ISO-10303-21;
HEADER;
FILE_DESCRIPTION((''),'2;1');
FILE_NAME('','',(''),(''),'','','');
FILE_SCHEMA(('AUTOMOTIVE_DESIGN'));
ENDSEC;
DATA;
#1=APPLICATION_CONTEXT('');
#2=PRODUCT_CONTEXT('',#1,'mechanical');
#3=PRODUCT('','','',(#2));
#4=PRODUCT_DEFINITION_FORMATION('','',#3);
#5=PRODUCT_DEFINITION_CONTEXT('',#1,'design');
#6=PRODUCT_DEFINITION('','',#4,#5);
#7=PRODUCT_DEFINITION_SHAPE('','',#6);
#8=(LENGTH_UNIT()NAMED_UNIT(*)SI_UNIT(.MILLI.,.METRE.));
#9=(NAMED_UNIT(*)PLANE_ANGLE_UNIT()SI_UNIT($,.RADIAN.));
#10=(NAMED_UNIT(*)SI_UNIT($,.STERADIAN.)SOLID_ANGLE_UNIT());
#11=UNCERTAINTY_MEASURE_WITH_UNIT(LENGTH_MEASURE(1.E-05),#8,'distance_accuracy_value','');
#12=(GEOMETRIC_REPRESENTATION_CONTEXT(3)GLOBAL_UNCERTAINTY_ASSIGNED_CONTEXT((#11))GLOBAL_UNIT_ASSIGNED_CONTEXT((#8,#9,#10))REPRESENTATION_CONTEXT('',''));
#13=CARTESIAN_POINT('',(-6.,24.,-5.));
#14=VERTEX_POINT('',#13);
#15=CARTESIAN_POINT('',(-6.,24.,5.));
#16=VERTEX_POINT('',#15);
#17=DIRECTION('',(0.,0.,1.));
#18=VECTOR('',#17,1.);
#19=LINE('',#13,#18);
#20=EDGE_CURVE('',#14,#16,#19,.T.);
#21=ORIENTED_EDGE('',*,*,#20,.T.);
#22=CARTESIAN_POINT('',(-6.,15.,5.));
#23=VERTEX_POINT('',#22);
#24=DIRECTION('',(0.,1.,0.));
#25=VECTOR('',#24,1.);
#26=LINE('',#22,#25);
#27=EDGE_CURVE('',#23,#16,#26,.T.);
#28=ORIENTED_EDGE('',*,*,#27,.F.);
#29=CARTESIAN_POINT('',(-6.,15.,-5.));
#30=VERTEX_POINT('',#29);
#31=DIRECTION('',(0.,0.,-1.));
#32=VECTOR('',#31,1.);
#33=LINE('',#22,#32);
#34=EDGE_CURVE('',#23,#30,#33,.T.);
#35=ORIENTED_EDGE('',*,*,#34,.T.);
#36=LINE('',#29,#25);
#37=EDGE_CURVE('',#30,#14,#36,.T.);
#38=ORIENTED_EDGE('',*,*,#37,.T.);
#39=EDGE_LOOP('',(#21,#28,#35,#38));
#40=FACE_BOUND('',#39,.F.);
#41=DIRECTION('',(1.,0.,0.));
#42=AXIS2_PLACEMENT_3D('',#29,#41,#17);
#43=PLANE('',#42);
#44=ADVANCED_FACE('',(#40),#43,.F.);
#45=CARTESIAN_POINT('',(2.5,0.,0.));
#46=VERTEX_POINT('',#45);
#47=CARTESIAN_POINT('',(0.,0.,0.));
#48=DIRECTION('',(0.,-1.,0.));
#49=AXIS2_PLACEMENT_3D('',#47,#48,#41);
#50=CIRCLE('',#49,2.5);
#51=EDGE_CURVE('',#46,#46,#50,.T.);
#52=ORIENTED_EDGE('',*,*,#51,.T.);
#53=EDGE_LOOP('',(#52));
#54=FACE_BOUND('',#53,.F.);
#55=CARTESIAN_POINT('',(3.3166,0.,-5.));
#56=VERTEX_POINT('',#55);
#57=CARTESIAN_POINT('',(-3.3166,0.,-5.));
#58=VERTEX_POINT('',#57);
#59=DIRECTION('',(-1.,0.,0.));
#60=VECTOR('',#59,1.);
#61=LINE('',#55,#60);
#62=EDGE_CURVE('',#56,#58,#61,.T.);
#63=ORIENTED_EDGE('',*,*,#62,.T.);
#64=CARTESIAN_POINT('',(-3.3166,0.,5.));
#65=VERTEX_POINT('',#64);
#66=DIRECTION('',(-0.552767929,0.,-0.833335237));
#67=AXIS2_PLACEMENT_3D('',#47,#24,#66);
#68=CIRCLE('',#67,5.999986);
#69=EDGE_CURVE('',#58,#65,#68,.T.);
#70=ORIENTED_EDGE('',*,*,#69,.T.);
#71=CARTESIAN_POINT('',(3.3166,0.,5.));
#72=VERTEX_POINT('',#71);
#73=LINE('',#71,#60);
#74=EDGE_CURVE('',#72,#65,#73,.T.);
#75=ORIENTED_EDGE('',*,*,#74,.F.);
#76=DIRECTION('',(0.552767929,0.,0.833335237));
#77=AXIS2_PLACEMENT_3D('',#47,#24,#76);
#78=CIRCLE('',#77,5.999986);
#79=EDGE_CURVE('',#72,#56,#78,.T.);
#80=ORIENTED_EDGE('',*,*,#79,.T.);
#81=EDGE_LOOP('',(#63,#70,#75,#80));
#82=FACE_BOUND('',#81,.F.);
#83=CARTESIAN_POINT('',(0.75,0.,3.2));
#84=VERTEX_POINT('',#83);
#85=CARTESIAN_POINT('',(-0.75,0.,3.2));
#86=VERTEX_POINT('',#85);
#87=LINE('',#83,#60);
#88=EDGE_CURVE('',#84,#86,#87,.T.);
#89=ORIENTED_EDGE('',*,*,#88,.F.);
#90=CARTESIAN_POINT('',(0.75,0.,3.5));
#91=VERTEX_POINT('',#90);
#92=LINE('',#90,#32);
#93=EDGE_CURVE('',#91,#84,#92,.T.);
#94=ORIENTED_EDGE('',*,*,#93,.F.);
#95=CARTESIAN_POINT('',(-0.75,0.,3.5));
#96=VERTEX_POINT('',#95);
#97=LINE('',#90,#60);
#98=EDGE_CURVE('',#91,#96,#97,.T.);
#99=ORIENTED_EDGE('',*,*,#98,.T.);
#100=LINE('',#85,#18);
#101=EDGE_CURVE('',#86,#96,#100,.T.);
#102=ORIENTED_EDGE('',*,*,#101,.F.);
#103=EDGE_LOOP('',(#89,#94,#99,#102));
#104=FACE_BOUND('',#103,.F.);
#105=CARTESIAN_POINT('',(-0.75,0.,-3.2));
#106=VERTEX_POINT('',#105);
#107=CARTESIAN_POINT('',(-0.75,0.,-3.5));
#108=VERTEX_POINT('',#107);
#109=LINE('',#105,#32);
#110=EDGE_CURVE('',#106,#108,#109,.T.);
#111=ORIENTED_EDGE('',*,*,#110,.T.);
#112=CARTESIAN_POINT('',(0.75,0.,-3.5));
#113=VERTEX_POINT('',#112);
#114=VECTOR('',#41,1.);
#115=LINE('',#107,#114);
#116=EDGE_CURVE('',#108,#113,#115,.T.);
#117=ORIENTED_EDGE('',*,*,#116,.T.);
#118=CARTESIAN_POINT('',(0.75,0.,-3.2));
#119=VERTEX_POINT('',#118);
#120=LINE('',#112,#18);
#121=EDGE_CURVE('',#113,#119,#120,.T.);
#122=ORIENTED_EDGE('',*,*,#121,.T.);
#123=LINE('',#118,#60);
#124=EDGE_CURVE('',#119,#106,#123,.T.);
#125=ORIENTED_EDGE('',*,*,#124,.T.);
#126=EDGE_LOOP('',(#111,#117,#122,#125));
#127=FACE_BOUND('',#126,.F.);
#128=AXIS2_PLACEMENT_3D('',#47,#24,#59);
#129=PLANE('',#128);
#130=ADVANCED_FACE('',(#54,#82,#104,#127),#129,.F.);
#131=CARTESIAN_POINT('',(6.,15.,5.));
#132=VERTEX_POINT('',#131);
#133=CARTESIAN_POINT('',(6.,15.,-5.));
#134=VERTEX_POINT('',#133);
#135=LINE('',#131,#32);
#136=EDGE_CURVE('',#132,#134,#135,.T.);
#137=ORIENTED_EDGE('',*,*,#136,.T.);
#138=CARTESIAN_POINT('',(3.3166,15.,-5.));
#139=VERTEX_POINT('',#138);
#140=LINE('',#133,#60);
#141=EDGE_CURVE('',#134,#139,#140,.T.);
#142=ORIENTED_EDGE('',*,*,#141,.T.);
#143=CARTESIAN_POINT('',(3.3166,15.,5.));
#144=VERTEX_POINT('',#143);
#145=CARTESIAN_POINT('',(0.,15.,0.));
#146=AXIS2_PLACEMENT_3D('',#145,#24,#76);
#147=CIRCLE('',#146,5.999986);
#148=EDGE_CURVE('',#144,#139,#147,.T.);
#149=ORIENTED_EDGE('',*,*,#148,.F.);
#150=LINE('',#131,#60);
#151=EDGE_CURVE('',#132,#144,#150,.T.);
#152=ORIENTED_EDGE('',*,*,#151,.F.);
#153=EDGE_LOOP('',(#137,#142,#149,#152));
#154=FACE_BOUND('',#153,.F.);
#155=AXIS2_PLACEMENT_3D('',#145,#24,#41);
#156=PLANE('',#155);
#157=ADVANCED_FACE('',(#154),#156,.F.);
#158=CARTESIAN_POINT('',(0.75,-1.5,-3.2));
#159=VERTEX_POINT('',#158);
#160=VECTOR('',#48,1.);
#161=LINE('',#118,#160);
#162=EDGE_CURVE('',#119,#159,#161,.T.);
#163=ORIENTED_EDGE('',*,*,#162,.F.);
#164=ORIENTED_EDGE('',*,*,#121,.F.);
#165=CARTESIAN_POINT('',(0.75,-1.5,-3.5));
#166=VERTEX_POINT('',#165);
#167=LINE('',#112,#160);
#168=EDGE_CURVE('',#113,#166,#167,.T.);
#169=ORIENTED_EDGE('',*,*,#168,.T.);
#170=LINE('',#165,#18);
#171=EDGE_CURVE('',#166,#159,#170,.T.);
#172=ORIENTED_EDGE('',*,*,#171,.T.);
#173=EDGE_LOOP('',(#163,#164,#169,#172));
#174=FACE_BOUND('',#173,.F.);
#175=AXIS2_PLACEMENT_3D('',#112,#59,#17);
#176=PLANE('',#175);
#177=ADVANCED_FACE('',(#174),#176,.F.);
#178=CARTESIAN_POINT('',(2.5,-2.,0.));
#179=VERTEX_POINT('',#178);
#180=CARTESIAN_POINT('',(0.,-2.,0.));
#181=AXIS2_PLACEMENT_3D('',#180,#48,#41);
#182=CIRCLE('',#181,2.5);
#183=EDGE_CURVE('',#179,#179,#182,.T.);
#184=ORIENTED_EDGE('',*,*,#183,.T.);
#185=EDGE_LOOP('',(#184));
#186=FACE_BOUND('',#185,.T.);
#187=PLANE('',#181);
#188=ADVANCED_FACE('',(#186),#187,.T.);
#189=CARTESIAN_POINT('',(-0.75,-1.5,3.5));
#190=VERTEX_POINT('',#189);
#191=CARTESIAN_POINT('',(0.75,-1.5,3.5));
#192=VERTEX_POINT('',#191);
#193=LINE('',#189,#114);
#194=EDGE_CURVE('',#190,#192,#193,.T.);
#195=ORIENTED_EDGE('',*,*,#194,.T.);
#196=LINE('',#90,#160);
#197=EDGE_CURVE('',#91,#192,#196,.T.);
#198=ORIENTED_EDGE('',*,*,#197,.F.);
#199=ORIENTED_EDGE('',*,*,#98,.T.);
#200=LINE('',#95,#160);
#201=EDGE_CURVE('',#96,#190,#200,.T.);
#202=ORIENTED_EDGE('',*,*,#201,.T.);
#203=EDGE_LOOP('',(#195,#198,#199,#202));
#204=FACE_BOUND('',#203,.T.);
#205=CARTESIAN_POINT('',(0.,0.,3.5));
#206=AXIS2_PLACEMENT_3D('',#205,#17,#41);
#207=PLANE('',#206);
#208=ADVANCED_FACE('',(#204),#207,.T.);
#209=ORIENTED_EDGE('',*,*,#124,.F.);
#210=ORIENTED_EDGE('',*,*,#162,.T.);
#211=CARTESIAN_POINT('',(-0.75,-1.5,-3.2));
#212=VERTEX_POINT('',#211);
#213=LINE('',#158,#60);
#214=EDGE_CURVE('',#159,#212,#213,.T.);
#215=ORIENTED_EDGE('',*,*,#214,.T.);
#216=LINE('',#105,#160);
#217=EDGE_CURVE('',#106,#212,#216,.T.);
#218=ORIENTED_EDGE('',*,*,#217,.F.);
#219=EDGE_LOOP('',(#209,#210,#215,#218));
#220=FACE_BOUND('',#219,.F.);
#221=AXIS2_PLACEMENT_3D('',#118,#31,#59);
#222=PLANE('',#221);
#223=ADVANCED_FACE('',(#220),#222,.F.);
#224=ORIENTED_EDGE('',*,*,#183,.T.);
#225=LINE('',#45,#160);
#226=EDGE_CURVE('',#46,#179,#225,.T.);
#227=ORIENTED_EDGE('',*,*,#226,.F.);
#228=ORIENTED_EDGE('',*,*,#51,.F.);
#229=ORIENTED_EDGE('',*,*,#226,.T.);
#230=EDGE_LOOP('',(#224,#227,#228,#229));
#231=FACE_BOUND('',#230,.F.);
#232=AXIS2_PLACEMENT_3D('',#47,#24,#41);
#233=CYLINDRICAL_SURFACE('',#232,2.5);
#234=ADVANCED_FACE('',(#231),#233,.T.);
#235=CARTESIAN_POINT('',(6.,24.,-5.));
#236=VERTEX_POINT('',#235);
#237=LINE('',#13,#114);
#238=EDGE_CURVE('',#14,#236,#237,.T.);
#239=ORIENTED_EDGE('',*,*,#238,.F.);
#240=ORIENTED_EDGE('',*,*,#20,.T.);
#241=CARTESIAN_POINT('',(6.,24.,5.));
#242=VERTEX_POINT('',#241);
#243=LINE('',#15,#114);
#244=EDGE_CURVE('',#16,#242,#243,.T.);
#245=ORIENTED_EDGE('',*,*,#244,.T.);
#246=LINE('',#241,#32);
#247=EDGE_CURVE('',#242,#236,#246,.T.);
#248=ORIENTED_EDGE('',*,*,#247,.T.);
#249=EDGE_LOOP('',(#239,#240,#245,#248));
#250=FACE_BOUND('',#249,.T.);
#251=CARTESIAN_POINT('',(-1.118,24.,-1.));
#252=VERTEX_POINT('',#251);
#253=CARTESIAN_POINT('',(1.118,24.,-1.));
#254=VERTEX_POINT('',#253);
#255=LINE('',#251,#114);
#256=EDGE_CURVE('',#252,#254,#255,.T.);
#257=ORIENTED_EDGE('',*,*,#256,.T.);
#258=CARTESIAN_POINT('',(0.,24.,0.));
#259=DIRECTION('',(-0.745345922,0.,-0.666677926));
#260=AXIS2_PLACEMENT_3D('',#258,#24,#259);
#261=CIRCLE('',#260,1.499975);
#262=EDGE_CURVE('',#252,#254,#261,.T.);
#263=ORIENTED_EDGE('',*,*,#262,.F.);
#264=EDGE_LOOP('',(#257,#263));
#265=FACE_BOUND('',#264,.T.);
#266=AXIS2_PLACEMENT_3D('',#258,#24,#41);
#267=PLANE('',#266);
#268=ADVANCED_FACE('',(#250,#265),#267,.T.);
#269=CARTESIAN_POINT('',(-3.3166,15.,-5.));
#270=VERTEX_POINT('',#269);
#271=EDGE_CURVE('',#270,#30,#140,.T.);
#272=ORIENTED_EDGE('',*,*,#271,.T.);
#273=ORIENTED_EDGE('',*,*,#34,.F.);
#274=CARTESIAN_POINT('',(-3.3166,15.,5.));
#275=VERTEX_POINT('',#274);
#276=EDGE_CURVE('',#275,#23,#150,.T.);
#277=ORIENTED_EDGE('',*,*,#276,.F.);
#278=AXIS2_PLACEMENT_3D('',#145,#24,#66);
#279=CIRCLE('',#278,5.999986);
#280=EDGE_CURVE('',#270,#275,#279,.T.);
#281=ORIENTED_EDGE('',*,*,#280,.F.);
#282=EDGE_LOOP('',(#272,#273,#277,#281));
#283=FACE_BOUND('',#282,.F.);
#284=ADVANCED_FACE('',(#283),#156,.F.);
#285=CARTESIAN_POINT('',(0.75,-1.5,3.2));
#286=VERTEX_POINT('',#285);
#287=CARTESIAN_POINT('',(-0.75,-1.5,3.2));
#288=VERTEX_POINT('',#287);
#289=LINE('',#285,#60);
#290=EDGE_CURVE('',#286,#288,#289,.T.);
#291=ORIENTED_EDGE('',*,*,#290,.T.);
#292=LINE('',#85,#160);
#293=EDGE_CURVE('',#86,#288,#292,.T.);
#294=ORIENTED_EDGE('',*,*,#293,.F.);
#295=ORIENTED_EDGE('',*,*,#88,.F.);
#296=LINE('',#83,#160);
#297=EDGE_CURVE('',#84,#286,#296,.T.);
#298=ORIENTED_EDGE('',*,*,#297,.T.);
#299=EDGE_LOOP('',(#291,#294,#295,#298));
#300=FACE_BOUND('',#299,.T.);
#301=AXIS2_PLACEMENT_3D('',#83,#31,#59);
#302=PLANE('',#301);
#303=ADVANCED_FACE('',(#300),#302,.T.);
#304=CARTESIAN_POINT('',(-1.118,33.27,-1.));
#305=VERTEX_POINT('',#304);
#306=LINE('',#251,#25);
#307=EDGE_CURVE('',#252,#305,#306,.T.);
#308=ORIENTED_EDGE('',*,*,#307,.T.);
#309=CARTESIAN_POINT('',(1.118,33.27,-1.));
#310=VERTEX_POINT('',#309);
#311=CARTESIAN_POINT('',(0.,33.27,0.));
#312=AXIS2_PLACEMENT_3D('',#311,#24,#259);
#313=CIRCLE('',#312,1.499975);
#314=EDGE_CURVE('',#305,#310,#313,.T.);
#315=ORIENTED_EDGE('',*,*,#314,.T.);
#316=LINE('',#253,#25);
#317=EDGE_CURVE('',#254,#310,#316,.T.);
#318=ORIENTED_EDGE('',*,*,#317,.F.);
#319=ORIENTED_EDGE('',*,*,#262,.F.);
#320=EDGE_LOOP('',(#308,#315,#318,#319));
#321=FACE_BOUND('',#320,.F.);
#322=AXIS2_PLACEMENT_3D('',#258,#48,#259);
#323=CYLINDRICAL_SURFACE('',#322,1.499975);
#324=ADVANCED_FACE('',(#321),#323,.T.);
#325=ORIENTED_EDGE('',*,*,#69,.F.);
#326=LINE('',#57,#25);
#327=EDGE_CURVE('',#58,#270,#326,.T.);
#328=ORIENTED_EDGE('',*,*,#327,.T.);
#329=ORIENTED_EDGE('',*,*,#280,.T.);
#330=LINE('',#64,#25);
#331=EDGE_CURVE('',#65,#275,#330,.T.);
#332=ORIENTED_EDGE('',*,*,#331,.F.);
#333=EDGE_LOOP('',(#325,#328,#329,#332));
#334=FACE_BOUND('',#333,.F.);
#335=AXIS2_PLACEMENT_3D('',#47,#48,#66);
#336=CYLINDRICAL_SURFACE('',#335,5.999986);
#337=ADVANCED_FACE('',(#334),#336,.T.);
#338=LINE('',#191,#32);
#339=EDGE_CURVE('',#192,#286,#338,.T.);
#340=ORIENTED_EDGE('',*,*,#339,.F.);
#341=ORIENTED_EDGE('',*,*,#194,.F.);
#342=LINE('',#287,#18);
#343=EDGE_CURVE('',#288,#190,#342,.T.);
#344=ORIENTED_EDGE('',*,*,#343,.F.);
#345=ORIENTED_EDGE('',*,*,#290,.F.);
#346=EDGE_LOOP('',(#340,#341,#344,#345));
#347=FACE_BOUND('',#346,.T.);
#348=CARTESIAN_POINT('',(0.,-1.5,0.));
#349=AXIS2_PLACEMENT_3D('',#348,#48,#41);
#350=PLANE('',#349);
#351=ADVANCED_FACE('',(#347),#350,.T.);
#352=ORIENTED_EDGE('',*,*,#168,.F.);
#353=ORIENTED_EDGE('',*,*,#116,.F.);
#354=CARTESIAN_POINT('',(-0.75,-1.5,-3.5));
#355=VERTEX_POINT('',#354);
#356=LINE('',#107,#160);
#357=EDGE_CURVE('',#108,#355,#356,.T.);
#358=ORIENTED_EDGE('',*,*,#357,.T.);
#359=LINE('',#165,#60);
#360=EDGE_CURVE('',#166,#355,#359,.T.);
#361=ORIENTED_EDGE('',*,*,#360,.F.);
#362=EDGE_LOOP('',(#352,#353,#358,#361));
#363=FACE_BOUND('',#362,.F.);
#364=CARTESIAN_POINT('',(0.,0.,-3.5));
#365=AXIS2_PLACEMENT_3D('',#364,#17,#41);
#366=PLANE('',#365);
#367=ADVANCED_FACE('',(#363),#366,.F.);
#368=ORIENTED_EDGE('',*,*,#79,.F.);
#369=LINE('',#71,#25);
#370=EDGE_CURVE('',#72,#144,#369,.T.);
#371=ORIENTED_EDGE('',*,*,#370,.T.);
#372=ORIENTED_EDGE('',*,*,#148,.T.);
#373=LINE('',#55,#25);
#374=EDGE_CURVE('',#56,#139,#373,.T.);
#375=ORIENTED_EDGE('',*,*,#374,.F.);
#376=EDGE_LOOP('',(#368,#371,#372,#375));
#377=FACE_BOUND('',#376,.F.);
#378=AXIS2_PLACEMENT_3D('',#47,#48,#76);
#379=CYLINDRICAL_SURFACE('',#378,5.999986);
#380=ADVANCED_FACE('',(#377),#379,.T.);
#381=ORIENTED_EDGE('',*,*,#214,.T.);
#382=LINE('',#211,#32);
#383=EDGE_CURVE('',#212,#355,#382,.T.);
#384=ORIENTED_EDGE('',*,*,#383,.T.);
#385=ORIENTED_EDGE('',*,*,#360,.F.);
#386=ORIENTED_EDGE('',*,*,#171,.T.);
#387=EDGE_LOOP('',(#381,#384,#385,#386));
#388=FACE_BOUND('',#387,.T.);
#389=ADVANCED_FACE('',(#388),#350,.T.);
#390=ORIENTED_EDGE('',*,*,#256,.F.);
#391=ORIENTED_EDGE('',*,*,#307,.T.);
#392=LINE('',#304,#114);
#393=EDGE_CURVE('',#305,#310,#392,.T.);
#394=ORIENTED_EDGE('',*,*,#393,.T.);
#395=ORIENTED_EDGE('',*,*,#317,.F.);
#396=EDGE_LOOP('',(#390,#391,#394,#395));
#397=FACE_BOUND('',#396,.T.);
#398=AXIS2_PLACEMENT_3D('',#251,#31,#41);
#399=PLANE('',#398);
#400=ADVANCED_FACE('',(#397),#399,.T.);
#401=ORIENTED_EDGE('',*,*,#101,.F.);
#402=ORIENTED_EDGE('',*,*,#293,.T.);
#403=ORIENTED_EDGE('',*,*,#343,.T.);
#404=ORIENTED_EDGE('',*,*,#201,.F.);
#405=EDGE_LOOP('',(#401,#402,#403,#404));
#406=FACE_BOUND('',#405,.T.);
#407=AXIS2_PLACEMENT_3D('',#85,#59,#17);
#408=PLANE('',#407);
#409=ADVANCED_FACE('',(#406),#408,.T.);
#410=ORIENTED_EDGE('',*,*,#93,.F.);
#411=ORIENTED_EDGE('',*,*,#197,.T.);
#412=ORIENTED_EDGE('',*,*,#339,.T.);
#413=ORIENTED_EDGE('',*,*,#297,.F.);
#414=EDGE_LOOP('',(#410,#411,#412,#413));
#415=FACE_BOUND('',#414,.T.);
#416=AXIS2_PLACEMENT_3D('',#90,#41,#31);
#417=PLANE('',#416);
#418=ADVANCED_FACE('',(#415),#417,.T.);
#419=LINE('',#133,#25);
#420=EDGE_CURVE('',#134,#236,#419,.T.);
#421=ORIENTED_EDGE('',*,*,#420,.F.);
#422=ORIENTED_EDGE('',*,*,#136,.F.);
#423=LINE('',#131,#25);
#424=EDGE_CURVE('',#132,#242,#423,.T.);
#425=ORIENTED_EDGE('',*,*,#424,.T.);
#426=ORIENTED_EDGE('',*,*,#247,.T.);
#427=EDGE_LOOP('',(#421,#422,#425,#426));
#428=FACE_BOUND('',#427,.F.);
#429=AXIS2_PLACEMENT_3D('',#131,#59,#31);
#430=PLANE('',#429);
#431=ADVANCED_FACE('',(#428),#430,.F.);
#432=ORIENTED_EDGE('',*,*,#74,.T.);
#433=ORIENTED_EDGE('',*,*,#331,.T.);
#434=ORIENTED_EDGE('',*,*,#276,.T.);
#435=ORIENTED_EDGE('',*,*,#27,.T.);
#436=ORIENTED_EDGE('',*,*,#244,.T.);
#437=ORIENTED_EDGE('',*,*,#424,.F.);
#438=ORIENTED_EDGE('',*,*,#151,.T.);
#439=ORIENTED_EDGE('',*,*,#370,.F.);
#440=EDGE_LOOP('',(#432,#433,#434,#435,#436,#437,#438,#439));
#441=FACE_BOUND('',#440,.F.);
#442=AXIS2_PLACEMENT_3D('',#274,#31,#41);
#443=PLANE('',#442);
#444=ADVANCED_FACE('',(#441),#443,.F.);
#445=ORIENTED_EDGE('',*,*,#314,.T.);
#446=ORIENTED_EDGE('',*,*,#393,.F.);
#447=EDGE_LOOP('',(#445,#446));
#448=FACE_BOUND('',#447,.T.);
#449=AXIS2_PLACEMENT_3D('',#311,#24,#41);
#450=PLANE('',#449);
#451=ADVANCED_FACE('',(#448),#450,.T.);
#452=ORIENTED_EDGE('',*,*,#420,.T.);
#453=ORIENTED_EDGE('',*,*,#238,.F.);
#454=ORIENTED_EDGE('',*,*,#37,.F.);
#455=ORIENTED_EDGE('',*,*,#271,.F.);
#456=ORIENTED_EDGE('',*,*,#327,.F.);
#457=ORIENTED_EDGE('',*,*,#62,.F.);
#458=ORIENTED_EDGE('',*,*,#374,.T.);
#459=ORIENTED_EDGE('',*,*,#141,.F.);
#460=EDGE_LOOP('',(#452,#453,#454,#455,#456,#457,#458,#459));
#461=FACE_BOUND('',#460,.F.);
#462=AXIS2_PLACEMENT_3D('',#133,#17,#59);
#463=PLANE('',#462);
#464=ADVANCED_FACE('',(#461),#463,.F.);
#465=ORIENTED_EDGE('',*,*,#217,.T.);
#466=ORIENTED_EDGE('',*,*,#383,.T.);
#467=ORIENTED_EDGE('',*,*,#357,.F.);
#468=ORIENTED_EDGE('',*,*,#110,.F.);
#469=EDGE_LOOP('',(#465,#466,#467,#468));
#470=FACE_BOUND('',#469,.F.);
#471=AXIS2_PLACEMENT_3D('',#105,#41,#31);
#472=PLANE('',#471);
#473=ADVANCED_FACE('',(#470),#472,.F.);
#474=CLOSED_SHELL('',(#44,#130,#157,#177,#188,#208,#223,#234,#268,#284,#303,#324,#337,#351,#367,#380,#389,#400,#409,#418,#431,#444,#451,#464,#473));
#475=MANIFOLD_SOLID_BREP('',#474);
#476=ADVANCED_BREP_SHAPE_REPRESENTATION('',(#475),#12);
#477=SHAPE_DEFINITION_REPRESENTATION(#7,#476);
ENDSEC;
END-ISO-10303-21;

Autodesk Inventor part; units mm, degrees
ref_plane "YZ Plane" through (0, 0, 0) normal (1, 0, 0) x (0, 1, 0)
ref_plane "XZ Plane" through (0, 0, 0) normal (0, 1, 0) x (-1, 0, 0)
ref_plane "XY Plane" through (0, 0, 0) normal (0, 0, 1) x (1, 0, 0)
sketch "Sketch1" plane through (0, 0, 0) normal (0, 1, 0) x (-1, 0, 0)
  line L0 (0, 0) -> (0, 5) construction
  line L1 (-3.3166, 5) -> (3.3166, 5)
  line L2 (-8.6998, 0) -> (12.7628, 0) construction
  line L3 (-3.3166, -5) -> (3.3166, -5)
  arc A0 (-3.3166, 5) -> (-3.3166, -5) centre (0, 0) ccw
  arc A1 (3.3166, -5) -> (3.3166, 5) centre (0, 0) ccw
  dimension "d1" = 5
extrude "Extrusion1" add sketch "Sketch1" along normal blind 15
sketch "Sketch2" plane through (0, 15, 0) normal (0, 1, 0) x (1, 0, 0)
  arc A0 (-3.3166, 5) -> (-3.3166, -5) centre (0, 0) ccw projected
  line L0 (-6, -5) -> (6, -5)
  line L1 (6, -5) -> (6, 5)
  line L2 (6, 5) -> (-6, 5)
  line L3 (-6, 5) -> (-6, -5)
  line L4 (-6, -5) -> (6, 5) construction
  line L5 (6, -5) -> (-6, 5) construction
extrude "Extrusion2" add sketch "Sketch2" along normal blind 9
sketch "Sketch3" plane through (0, 24, 0) normal (0, 1, 0) x (1, 0, 0)
  line L0 (-6, 5) -> (-6, -5) projected
  arc A0 (-1.118, 1) -> (1.118, 1) centre (0, 0) ccw
  line L1 (0, -1.5) -> (0, 1) construction
  line L2 (-1.118, 1) -> (1.118, 1)
  dimension "d6" = 3
  dimension "d7" = 2.5
extrude "Extrusion3" add sketch "Sketch3" along normal blind 9.27
sketch "Sketch5" plane through (0, 0, 0) normal (0, -1, 0) x (1, 0, 0)
  line L0 (0, 0) -> (0, 3.5) construction
  line L1 (0, 3.5) -> (0.75, 3.5)
  line L2 (0, 3.5) -> (-0.75, 3.5)
  line L3 (0.75, 3.5) -> (0.75, 3.2)
  line L4 (0.75, 3.2) -> (-0.75, 3.2)
  line L5 (-0.75, 3.2) -> (-0.75, 3.5)
  line L6 (7.0613, 0) -> (-6.7326, 0) construction
  line L7 (-0.75, -3.2) -> (-0.75, -3.5)
  line L8 (0.75, -3.2) -> (-0.75, -3.2)
  line L9 (0.75, -3.5) -> (0.75, -3.2)
  line L10 (0, 0) -> (0, -3.5) construction
  line L11 (0, -3.5) -> (0.75, -3.5)
  line L12 (0, -3.5) -> (-0.75, -3.5)
  dimension "d14" = 3.5
  dimension "d15" = 0.75
  dimension "d16" = 0.3
extrude "Extrusion4" add sketch "Sketch5" along normal blind 1.5
sketch "Sketch6" plane through (0, 0, 0) normal (0, -1, 0) x (1, 0, 0)
  arc A0 (3.3166, -5) -> (3.3166, 5) centre (0, 0) ccw projected
  circle A1 centre (0, 0) radius 2.5
  dimension "d19" = 5
extrude "Extrusion5" add sketch "Sketch6" along normal blind 2
properties part number "motor pololu"
